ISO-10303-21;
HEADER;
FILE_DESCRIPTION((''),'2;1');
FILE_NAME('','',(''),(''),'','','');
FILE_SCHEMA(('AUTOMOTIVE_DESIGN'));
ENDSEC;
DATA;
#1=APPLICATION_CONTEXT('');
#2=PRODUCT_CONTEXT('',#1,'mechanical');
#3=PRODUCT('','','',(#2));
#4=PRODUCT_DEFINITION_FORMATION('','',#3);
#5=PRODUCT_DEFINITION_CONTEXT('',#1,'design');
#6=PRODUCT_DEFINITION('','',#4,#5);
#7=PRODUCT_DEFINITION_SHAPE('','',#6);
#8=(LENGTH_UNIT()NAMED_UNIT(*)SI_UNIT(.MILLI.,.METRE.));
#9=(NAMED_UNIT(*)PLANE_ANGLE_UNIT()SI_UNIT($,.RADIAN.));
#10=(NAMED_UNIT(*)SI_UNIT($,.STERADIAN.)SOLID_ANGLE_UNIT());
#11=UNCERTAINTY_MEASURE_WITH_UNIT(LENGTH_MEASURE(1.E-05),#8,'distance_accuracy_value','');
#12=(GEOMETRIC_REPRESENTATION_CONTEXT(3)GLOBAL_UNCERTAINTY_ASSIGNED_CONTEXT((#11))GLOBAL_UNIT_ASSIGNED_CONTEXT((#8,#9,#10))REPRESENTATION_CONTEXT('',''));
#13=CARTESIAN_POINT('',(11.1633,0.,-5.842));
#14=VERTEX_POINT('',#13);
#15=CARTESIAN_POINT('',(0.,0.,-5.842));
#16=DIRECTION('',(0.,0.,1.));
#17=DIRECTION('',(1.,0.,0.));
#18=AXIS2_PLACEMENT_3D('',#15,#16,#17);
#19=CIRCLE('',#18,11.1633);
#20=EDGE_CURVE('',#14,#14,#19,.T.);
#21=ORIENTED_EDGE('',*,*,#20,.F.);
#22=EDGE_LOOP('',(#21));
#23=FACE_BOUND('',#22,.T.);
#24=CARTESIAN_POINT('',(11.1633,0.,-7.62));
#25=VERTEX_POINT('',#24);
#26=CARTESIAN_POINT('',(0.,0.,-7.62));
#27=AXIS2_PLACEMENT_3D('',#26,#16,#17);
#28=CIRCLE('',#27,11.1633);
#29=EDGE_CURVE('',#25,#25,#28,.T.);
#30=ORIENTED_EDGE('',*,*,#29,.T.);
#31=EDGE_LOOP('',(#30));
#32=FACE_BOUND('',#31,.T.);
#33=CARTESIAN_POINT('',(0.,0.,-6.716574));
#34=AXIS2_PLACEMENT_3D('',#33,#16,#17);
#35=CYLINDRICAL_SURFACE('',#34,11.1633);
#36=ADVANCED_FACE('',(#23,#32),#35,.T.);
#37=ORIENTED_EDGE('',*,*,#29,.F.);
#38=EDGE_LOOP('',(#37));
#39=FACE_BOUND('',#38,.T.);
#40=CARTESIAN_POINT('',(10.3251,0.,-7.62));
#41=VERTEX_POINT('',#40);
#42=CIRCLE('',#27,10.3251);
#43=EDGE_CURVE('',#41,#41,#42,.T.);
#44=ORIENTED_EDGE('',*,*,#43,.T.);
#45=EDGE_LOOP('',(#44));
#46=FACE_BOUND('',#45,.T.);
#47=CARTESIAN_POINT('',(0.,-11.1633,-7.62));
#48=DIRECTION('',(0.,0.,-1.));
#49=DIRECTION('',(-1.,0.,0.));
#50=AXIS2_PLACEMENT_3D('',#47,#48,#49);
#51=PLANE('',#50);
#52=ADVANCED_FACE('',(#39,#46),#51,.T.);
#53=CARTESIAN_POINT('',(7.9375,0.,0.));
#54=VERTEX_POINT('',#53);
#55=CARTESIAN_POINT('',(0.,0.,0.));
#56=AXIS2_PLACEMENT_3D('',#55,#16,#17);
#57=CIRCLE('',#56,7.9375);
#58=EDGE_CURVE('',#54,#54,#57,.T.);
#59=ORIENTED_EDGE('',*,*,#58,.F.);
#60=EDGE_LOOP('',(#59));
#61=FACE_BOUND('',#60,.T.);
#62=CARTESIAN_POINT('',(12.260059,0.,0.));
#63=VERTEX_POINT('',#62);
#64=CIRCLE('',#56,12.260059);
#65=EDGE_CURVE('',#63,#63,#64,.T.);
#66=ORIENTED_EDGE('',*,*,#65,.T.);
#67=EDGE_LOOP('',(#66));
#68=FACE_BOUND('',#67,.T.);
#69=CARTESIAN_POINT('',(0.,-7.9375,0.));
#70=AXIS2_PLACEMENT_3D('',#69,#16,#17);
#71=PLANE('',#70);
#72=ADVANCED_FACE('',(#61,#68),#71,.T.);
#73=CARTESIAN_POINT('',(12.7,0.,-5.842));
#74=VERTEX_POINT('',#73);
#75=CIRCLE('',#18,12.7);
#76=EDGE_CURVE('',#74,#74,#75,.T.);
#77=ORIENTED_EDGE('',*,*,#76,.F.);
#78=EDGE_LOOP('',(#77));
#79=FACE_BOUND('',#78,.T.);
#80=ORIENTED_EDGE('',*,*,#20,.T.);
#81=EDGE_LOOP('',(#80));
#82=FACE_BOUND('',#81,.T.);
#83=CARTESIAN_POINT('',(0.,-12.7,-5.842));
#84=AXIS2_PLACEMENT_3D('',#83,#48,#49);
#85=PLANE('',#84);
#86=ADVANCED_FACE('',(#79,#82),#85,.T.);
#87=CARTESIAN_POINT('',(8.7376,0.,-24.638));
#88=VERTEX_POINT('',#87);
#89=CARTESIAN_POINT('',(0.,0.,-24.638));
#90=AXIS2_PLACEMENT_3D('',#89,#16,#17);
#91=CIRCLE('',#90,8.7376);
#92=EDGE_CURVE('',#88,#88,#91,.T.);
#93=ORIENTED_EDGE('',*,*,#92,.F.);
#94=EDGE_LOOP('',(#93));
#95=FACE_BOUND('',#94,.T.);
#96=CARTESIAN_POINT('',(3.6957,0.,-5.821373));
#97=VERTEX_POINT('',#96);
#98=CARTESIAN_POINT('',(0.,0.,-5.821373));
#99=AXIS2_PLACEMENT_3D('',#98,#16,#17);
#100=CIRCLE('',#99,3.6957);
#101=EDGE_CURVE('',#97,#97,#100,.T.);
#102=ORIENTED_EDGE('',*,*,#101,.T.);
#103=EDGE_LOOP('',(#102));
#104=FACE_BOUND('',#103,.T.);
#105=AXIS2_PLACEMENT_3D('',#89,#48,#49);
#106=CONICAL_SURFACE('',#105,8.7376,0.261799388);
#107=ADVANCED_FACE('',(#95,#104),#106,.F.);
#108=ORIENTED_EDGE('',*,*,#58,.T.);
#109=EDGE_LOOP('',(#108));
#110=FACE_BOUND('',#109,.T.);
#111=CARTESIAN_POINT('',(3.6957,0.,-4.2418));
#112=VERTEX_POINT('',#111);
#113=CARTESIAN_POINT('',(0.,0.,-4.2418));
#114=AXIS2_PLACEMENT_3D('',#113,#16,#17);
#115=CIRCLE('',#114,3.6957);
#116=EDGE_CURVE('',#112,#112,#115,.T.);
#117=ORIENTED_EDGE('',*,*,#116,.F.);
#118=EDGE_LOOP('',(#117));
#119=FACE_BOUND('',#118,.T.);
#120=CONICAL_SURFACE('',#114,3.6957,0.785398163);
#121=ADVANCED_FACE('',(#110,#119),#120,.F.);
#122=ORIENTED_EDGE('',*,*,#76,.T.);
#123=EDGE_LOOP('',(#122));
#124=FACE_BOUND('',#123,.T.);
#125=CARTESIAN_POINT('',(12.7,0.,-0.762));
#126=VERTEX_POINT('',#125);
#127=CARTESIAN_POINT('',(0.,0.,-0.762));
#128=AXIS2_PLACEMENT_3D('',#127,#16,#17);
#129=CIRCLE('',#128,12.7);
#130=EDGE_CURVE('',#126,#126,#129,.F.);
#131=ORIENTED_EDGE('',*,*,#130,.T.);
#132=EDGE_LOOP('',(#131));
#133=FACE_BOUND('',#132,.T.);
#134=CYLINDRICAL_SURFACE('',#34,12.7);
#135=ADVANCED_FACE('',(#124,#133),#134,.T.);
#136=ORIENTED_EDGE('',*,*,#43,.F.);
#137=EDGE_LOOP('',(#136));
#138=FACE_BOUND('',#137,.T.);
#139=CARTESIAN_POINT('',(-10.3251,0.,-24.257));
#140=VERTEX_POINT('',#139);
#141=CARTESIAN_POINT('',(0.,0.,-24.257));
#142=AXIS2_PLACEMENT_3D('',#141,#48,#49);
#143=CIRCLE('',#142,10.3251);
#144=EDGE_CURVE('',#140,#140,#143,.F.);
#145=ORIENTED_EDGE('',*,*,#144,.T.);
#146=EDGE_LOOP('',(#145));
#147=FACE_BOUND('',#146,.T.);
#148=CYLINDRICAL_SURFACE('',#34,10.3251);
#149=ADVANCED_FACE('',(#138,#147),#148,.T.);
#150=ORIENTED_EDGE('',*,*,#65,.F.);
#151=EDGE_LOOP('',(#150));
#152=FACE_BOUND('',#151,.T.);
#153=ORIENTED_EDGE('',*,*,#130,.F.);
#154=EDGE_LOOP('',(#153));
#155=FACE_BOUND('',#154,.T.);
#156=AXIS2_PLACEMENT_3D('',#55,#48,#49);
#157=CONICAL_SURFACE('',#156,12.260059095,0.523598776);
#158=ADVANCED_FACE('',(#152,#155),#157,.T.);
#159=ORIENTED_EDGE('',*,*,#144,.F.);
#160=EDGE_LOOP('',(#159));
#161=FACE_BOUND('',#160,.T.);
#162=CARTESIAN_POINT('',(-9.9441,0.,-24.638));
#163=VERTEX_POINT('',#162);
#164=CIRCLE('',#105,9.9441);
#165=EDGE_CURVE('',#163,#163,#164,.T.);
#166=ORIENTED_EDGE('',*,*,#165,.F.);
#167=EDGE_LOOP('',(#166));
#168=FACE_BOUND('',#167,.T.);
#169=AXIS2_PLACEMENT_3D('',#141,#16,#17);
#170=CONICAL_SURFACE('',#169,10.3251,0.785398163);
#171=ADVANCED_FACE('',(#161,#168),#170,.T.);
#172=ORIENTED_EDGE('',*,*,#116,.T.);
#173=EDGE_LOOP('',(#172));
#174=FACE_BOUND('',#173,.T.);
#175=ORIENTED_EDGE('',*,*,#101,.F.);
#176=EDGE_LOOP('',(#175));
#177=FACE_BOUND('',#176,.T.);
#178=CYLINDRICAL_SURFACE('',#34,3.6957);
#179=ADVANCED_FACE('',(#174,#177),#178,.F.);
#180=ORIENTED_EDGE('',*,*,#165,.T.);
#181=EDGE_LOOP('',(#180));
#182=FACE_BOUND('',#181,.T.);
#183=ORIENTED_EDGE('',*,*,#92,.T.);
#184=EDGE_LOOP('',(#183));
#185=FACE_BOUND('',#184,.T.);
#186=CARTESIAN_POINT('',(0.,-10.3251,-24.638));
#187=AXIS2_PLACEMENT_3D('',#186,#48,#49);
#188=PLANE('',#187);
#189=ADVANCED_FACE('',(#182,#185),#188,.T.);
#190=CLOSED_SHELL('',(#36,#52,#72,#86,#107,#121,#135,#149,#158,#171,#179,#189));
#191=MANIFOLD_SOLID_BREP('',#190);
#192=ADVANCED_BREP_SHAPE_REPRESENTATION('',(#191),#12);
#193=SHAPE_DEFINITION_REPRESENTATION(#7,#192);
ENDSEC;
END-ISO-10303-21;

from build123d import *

# Parameters (mm, degrees)
CHAMFER1_SIZE  = 0.762
CHAMFER1_SIZE2 = 0.439940905
CHAMFER2_SIZE  = 0.381


with BuildPart() as part:
    # Sketch1 → Revolve1 (revolve)
    with BuildSketch(Plane(origin=(0, 0, 0), x_dir=(0, 0, -1), z_dir=(1, 0, 0)), mode=Mode.PRIVATE) as revolve1_sk:
        Polygon((24.638, -10.3251), (24.638, -8.7376), (5.821373033, -3.6957), (4.2418, -3.6957), (0, -7.9375), (0, -12.7), (5.842, -12.7), (5.842, -11.1633), (7.62, -11.1633), (7.62, -10.3251), align=None)
    revolve(revolve1_sk.sketch.rotate(Axis((0, 0, -6.716573557), (0, 0, -1)), 270), axis=Axis((0, 0, -6.716573557), (0, 0, -1)))

    # Chamfer1
    chamfer1_edges = [part.edges().sort_by_distance(p)[0] for p in [
        (-12.7, 0, 0),
    ]]
    chamfer1_side = [part.faces().sort_by_distance(p)[0] for p in [
        (-12.7, 0, -2.921),
    ]]
    chamfer(chamfer1_edges, length=CHAMFER1_SIZE, length2=CHAMFER1_SIZE2, reference=chamfer1_side[0])

    # Chamfer2
    chamfer2_edges = [part.edges().sort_by_distance(p)[0] for p in [
        (-10.3251, 0, -24.638),
    ]]
    chamfer(chamfer2_edges, length=CHAMFER2_SIZE)


solid = part.part
